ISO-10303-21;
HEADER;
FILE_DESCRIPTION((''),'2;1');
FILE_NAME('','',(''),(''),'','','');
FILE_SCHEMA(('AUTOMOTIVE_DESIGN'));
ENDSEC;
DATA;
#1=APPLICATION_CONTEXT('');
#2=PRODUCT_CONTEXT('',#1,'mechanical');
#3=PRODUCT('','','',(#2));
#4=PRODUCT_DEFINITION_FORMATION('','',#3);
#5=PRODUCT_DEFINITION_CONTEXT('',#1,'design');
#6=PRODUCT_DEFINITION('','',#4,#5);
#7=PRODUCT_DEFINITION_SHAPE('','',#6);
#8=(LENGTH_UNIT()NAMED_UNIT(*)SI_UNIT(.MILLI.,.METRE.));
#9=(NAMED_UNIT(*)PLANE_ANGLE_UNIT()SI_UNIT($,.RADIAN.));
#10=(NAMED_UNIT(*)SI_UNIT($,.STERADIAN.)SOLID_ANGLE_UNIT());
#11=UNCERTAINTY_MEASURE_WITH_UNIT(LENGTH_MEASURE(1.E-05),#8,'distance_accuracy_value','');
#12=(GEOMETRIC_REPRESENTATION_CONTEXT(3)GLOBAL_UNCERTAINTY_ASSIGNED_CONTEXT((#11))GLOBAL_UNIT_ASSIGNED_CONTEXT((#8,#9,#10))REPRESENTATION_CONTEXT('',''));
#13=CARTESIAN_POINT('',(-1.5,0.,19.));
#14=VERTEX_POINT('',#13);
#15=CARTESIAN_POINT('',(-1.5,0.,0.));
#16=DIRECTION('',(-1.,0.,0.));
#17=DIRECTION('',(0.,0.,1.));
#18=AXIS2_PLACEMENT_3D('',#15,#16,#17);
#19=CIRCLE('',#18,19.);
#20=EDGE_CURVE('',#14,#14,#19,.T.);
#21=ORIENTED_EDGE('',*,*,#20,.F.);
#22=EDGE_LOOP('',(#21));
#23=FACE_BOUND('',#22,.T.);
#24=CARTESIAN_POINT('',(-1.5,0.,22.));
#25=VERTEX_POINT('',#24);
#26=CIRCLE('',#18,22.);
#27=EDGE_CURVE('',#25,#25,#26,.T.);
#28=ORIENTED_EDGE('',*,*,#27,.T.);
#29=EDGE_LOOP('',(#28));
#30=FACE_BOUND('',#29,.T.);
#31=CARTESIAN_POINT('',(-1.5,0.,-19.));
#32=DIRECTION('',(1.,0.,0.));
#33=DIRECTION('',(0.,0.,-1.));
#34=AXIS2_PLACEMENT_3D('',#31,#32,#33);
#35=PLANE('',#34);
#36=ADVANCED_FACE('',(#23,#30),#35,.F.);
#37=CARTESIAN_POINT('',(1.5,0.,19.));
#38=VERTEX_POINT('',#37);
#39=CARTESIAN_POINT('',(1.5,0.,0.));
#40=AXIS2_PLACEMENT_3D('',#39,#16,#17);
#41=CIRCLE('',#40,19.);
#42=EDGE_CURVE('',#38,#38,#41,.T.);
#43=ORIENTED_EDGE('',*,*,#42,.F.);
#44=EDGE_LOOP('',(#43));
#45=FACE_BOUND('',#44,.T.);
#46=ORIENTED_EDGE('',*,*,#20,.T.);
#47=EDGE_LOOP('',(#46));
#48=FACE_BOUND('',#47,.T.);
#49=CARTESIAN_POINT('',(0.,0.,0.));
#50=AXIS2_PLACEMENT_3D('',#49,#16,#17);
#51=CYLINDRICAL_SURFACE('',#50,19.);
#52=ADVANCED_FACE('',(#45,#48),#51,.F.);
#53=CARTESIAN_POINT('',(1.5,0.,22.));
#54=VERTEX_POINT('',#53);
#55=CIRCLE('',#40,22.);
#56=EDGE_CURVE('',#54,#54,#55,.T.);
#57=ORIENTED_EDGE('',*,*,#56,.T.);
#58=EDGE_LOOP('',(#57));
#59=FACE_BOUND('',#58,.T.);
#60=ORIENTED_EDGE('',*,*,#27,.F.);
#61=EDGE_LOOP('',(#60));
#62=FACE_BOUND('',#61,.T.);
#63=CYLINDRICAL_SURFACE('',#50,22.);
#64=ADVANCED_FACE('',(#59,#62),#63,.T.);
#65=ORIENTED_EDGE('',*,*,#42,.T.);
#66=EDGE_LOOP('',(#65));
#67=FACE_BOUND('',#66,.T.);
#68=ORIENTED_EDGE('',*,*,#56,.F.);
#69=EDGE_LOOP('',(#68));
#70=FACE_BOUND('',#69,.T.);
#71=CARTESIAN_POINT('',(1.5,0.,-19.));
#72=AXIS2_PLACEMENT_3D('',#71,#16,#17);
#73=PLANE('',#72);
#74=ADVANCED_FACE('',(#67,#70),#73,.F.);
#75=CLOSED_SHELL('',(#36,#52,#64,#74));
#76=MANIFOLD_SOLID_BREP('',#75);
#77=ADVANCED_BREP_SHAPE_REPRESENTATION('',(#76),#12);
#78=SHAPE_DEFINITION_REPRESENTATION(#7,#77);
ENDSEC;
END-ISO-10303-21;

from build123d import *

# Parameters (mm, degrees)
SKETCH1_W = 3
SKETCH1_H = 3


with BuildPart() as part:
    # Sketch1 → Revolve1 (revolve)
    with BuildSketch(Plane(origin=(0, 0, 0), x_dir=(1, 0, 0), z_dir=(0, 1, 0)), mode=Mode.PRIVATE) as revolve1_sk:
        with Locations((0, 20.5)):
            Rectangle(SKETCH1_W, SKETCH1_H)
    revolve(revolve1_sk.sketch.rotate(Axis((0, 0, 0), (1, 0, 0)), 180), axis=Axis((0, 0, 0), (1, 0, 0)))


solid = part.part
